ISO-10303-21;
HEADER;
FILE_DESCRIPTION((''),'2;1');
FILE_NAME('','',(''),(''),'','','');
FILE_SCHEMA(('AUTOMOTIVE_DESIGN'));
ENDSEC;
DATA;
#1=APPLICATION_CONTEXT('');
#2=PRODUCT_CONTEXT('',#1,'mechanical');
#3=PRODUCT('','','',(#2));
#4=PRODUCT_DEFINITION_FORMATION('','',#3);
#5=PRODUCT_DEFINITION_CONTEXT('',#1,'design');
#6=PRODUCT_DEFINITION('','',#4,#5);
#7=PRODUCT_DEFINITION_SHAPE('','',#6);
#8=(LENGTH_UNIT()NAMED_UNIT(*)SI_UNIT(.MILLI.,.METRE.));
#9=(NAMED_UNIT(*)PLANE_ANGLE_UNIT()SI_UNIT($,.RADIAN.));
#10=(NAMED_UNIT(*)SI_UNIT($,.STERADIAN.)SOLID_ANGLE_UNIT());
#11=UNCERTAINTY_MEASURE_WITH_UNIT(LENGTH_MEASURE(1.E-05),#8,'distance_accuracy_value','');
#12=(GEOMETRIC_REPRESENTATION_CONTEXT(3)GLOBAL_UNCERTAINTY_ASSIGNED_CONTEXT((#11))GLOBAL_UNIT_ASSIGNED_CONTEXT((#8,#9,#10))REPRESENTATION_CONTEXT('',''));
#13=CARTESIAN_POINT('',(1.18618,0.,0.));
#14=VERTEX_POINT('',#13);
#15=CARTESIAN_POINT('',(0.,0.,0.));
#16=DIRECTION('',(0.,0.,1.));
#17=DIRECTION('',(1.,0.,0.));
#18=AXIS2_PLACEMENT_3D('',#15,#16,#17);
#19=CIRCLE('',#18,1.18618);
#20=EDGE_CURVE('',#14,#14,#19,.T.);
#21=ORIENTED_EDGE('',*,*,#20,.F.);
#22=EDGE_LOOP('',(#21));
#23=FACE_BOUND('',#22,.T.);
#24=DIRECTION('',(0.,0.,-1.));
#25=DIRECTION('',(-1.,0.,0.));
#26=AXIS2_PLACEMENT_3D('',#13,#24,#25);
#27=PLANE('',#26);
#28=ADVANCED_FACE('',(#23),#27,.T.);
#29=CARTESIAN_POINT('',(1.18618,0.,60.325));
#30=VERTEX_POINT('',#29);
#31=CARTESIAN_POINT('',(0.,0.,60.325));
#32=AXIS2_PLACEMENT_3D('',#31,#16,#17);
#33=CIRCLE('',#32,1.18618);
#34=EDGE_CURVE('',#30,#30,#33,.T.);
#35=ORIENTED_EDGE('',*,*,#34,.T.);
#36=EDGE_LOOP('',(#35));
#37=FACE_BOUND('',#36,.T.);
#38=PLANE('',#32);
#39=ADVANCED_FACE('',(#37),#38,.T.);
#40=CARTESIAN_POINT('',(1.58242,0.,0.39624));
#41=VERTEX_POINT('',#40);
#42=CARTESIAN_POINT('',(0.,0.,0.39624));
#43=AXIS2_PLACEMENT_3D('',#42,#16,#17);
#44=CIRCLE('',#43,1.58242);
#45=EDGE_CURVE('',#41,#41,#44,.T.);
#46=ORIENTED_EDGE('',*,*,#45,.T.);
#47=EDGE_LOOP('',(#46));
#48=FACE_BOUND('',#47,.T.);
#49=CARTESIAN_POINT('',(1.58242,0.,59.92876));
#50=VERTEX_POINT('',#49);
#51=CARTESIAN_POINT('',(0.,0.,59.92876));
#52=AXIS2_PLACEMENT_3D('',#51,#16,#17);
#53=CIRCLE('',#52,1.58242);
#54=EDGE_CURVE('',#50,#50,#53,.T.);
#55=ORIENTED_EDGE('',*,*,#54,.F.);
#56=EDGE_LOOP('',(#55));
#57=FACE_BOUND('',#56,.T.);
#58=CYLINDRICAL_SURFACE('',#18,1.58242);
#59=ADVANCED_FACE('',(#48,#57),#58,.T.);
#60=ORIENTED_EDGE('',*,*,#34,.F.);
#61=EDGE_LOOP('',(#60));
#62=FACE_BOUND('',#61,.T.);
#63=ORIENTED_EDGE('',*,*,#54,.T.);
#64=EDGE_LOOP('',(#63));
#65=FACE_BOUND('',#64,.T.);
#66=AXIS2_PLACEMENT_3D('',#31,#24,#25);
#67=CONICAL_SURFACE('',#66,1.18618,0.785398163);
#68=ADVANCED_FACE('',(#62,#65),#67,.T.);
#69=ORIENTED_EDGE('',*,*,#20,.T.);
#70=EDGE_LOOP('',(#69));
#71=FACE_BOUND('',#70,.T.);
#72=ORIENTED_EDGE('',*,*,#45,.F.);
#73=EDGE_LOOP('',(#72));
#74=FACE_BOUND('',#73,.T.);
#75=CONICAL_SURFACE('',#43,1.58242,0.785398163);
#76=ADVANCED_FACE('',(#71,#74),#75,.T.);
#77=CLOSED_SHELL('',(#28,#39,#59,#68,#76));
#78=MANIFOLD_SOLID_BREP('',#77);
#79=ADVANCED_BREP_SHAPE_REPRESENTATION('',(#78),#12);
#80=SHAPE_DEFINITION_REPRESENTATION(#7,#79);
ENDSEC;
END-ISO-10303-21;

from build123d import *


with BuildPart() as part:
    # Sketch1 → Revolve1 (revolve)
    with BuildSketch(Plane(origin=(0, 0, 0), x_dir=(1, 0, 0), z_dir=(0, 1, 0))):
        Polygon((1.18618, 0), (0, 0), (0, -60.325), (1.18618, -60.325), (1.58242, -59.92876), (1.58242, -0.39624), align=None)
    revolve(axis=Axis((0, 0, 0), (0, 0, 1)))


solid = part.part
